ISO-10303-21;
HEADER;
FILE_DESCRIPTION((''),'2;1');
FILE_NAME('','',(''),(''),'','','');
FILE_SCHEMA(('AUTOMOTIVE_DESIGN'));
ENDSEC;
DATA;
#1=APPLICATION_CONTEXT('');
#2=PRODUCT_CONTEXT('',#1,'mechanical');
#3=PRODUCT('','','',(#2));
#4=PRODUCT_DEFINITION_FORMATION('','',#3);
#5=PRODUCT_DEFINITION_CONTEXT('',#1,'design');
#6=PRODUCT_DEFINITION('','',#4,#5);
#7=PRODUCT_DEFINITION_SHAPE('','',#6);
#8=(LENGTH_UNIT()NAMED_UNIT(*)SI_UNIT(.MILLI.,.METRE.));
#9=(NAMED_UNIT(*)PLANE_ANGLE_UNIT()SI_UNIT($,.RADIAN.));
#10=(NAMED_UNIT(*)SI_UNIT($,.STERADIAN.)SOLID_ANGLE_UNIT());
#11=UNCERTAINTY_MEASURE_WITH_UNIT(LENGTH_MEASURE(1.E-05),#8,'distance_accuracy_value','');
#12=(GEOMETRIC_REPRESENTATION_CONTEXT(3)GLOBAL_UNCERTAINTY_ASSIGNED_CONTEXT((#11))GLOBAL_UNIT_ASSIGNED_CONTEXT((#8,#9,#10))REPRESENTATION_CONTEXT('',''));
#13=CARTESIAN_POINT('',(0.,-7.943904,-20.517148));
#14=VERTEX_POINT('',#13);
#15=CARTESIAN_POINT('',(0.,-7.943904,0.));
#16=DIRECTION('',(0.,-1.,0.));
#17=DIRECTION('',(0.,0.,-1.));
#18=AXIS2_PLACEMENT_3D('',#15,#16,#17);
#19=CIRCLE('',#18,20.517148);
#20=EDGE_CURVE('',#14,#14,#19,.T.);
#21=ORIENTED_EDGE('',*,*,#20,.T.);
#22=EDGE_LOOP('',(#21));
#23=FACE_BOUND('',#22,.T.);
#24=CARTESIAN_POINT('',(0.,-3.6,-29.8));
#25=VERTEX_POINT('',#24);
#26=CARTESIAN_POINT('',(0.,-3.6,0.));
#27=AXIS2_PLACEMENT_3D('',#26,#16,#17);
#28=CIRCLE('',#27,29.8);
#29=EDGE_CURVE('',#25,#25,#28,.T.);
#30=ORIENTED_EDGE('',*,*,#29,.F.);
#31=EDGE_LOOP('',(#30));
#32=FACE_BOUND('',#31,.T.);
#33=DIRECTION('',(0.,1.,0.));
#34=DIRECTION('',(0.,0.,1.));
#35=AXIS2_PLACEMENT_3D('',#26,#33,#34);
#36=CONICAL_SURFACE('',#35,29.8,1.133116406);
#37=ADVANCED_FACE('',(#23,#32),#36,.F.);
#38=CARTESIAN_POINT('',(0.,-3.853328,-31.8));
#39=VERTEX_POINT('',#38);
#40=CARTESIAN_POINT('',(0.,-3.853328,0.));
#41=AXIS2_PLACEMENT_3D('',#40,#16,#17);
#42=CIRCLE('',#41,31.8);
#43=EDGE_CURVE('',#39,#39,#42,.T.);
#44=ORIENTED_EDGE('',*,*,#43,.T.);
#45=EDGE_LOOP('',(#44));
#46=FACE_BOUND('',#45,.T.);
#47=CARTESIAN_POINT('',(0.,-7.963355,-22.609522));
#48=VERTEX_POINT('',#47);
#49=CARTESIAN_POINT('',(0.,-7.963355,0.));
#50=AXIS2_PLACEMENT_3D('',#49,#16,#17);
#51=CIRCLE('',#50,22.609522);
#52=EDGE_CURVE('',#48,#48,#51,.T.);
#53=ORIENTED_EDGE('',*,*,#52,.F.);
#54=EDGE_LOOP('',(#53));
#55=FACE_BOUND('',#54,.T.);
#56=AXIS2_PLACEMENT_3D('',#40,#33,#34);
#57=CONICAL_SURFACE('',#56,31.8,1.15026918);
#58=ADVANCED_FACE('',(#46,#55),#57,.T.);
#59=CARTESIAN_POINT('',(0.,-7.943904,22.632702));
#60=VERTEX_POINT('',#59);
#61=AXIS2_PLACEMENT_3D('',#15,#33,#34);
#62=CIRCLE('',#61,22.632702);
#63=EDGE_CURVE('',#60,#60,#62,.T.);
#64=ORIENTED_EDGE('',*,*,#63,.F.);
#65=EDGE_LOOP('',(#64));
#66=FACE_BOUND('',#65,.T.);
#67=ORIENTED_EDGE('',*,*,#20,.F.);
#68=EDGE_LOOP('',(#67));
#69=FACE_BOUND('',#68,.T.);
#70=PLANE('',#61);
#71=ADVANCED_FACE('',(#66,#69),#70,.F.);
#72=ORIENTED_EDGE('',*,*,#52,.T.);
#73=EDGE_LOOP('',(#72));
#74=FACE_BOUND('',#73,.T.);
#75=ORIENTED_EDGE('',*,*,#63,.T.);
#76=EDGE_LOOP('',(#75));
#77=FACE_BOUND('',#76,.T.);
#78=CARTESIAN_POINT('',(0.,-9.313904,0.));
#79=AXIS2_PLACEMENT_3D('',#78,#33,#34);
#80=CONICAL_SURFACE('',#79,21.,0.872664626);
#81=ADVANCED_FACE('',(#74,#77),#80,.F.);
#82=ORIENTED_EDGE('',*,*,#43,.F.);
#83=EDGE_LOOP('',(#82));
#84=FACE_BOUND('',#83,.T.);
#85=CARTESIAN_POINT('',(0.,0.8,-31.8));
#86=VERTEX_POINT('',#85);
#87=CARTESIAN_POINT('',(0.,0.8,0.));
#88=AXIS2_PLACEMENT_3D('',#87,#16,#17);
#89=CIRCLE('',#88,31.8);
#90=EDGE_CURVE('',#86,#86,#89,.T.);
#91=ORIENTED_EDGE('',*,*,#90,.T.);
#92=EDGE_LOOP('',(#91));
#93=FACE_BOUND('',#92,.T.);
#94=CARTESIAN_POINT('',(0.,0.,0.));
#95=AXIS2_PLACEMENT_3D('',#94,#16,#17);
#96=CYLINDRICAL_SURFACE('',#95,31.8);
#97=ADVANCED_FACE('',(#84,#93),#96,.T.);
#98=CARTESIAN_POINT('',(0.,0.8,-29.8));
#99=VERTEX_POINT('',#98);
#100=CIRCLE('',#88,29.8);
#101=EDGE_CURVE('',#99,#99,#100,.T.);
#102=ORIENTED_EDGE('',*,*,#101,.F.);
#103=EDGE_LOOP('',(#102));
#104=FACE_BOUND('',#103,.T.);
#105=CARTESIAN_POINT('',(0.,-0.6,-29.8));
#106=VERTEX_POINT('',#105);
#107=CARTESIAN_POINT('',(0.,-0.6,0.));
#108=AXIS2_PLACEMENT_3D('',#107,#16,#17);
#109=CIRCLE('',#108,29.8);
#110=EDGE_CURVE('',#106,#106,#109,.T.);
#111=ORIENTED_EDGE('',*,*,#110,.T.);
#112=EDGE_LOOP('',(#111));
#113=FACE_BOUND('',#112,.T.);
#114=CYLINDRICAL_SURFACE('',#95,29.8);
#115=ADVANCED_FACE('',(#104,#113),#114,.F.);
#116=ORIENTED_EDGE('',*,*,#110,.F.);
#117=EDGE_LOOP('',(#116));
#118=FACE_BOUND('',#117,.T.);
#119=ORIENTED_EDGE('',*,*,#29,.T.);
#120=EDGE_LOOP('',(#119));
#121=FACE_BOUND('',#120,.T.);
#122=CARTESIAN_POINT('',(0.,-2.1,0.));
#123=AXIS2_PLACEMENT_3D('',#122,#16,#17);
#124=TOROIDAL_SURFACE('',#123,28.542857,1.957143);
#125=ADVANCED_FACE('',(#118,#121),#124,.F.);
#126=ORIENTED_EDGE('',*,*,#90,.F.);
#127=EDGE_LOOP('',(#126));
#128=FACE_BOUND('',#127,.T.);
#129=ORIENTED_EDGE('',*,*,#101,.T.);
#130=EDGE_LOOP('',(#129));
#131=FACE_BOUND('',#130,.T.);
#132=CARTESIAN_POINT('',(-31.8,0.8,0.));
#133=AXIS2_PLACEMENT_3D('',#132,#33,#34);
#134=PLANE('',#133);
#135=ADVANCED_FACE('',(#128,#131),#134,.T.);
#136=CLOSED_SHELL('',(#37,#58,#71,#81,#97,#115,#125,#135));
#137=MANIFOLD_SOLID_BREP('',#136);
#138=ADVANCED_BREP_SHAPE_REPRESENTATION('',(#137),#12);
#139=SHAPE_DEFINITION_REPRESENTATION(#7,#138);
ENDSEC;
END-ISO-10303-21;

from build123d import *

# Parameters (mm, degrees)
SKETCH4_R          = 21
CUT_EXTRUDE1_DEPTH = 1.37
CUT_EXTRUDE1_DRAFT = -50
SKETCH5_W          = 2
SKETCH5_H          = 0.6


with BuildPart() as part:
    # Sketch3 → Revolve2 (revolve)
    with BuildSketch(Plane.XY, mode=Mode.PRIVATE) as revolve2_sk:
        with BuildLine():
            Line((-28, -2.8), (-28, -3.8))
            Line((-28, -3.8), (-21.291666667, -6.8))
            Line((-21.291666667, -6.8), (-19.589543983, -9.313904271))
            Line((-19.589543983, -9.313904271), (-31.8, -3.853327667))
            Line((-31.8, -3.853327667), (-31.8, 1.4))
            Line((-31.8, 1.4), (-29.8, 1.4))
            Line((-29.8, 1.4), (-29.8, -0.6))
            ThreePointArc((-29.8, -0.6), (-30.5, -2.1), (-29.8, -3.6))
            Line((-29.8, -3.6), (-29.8, -2.8))
            Line((-29.8, -2.8), (-28, -2.8))
        make_face()
    revolve(revolve2_sk.sketch.rotate(Axis((0, 0, 0), (0, 1, 0)), 270), axis=Axis((0, 0, 0), (0, 1, 0)))


with BuildPart() as cut_extrude1_tool:
    # Sketch4 → Cut-Extrude1 (with draft: the straight prism first)
    with BuildSketch(Plane(origin=(0, -9.313904271, 0), x_dir=(1, 0, 0), z_dir=(0, 1, 0))):
        Circle(SKETCH4_R)
    extrude(amount=CUT_EXTRUDE1_DEPTH)
    # Cut-Extrude1: the draft: its side faces are tilted about the plane it starts from
    cut_extrude1_sides = [cut_extrude1_tool.faces().sort_by_distance(p)[0] for p in [
        (-21, -8.628904271, 0),
    ]]
    draft(cut_extrude1_sides, Plane(origin=(0, -9.313904271, 0), x_dir=(1, 0, 0), z_dir=(0, 1, 0)), CUT_EXTRUDE1_DRAFT)


with BuildPart() as part_1:
    add(part.part)

    # Cut-Extrude1: cut by cut_extrude1_tool
    add(cut_extrude1_tool.part, mode=Mode.SUBTRACT)

    # Sketch5 → Cut-Revolve1 (revolve, cut)
    with BuildSketch(Plane.XY, mode=Mode.PRIVATE) as cut_revolve1_sk:
        with Locations((-30.8, 1.1)):
            Rectangle(SKETCH5_W, SKETCH5_H)
    revolve(cut_revolve1_sk.sketch.rotate(Axis((0, 0, 0), (0, 1, 0)), 270), axis=Axis((0, 0, 0), (0, 1, 0)), mode=Mode.SUBTRACT)

    # Sketch6 → Cut-Revolve2 (revolve, cut)
    with BuildSketch(Plane.XY, mode=Mode.PRIVATE) as cut_revolve2_sk:
        Polygon((-28, -3.8), (-29.8, -2.8), (-28, -2.8), align=None)
    revolve(cut_revolve2_sk.sketch.rotate(Axis((0, 0, 0), (0, 1, 0)), 90), axis=Axis((0, 0, 0), (0, 1, 0)), mode=Mode.SUBTRACT)

    # Sketch7 → Cut-Revolve3 (revolve, cut)
    with BuildSketch(Plane.XY, mode=Mode.PRIVATE) as cut_revolve3_sk:
        Polygon((-28, -3.8), (-21.291666667, -6.8), (-20.51714815, -7.943904271), (-29.8, -3.6), (-29.8, -2.8), align=None)
    revolve(cut_revolve3_sk.sketch.rotate(Axis((0, 0, 0), (0, 1, 0)), 90), axis=Axis((0, 0, 0), (0, 1, 0)), mode=Mode.SUBTRACT)


solid = part_1.part
